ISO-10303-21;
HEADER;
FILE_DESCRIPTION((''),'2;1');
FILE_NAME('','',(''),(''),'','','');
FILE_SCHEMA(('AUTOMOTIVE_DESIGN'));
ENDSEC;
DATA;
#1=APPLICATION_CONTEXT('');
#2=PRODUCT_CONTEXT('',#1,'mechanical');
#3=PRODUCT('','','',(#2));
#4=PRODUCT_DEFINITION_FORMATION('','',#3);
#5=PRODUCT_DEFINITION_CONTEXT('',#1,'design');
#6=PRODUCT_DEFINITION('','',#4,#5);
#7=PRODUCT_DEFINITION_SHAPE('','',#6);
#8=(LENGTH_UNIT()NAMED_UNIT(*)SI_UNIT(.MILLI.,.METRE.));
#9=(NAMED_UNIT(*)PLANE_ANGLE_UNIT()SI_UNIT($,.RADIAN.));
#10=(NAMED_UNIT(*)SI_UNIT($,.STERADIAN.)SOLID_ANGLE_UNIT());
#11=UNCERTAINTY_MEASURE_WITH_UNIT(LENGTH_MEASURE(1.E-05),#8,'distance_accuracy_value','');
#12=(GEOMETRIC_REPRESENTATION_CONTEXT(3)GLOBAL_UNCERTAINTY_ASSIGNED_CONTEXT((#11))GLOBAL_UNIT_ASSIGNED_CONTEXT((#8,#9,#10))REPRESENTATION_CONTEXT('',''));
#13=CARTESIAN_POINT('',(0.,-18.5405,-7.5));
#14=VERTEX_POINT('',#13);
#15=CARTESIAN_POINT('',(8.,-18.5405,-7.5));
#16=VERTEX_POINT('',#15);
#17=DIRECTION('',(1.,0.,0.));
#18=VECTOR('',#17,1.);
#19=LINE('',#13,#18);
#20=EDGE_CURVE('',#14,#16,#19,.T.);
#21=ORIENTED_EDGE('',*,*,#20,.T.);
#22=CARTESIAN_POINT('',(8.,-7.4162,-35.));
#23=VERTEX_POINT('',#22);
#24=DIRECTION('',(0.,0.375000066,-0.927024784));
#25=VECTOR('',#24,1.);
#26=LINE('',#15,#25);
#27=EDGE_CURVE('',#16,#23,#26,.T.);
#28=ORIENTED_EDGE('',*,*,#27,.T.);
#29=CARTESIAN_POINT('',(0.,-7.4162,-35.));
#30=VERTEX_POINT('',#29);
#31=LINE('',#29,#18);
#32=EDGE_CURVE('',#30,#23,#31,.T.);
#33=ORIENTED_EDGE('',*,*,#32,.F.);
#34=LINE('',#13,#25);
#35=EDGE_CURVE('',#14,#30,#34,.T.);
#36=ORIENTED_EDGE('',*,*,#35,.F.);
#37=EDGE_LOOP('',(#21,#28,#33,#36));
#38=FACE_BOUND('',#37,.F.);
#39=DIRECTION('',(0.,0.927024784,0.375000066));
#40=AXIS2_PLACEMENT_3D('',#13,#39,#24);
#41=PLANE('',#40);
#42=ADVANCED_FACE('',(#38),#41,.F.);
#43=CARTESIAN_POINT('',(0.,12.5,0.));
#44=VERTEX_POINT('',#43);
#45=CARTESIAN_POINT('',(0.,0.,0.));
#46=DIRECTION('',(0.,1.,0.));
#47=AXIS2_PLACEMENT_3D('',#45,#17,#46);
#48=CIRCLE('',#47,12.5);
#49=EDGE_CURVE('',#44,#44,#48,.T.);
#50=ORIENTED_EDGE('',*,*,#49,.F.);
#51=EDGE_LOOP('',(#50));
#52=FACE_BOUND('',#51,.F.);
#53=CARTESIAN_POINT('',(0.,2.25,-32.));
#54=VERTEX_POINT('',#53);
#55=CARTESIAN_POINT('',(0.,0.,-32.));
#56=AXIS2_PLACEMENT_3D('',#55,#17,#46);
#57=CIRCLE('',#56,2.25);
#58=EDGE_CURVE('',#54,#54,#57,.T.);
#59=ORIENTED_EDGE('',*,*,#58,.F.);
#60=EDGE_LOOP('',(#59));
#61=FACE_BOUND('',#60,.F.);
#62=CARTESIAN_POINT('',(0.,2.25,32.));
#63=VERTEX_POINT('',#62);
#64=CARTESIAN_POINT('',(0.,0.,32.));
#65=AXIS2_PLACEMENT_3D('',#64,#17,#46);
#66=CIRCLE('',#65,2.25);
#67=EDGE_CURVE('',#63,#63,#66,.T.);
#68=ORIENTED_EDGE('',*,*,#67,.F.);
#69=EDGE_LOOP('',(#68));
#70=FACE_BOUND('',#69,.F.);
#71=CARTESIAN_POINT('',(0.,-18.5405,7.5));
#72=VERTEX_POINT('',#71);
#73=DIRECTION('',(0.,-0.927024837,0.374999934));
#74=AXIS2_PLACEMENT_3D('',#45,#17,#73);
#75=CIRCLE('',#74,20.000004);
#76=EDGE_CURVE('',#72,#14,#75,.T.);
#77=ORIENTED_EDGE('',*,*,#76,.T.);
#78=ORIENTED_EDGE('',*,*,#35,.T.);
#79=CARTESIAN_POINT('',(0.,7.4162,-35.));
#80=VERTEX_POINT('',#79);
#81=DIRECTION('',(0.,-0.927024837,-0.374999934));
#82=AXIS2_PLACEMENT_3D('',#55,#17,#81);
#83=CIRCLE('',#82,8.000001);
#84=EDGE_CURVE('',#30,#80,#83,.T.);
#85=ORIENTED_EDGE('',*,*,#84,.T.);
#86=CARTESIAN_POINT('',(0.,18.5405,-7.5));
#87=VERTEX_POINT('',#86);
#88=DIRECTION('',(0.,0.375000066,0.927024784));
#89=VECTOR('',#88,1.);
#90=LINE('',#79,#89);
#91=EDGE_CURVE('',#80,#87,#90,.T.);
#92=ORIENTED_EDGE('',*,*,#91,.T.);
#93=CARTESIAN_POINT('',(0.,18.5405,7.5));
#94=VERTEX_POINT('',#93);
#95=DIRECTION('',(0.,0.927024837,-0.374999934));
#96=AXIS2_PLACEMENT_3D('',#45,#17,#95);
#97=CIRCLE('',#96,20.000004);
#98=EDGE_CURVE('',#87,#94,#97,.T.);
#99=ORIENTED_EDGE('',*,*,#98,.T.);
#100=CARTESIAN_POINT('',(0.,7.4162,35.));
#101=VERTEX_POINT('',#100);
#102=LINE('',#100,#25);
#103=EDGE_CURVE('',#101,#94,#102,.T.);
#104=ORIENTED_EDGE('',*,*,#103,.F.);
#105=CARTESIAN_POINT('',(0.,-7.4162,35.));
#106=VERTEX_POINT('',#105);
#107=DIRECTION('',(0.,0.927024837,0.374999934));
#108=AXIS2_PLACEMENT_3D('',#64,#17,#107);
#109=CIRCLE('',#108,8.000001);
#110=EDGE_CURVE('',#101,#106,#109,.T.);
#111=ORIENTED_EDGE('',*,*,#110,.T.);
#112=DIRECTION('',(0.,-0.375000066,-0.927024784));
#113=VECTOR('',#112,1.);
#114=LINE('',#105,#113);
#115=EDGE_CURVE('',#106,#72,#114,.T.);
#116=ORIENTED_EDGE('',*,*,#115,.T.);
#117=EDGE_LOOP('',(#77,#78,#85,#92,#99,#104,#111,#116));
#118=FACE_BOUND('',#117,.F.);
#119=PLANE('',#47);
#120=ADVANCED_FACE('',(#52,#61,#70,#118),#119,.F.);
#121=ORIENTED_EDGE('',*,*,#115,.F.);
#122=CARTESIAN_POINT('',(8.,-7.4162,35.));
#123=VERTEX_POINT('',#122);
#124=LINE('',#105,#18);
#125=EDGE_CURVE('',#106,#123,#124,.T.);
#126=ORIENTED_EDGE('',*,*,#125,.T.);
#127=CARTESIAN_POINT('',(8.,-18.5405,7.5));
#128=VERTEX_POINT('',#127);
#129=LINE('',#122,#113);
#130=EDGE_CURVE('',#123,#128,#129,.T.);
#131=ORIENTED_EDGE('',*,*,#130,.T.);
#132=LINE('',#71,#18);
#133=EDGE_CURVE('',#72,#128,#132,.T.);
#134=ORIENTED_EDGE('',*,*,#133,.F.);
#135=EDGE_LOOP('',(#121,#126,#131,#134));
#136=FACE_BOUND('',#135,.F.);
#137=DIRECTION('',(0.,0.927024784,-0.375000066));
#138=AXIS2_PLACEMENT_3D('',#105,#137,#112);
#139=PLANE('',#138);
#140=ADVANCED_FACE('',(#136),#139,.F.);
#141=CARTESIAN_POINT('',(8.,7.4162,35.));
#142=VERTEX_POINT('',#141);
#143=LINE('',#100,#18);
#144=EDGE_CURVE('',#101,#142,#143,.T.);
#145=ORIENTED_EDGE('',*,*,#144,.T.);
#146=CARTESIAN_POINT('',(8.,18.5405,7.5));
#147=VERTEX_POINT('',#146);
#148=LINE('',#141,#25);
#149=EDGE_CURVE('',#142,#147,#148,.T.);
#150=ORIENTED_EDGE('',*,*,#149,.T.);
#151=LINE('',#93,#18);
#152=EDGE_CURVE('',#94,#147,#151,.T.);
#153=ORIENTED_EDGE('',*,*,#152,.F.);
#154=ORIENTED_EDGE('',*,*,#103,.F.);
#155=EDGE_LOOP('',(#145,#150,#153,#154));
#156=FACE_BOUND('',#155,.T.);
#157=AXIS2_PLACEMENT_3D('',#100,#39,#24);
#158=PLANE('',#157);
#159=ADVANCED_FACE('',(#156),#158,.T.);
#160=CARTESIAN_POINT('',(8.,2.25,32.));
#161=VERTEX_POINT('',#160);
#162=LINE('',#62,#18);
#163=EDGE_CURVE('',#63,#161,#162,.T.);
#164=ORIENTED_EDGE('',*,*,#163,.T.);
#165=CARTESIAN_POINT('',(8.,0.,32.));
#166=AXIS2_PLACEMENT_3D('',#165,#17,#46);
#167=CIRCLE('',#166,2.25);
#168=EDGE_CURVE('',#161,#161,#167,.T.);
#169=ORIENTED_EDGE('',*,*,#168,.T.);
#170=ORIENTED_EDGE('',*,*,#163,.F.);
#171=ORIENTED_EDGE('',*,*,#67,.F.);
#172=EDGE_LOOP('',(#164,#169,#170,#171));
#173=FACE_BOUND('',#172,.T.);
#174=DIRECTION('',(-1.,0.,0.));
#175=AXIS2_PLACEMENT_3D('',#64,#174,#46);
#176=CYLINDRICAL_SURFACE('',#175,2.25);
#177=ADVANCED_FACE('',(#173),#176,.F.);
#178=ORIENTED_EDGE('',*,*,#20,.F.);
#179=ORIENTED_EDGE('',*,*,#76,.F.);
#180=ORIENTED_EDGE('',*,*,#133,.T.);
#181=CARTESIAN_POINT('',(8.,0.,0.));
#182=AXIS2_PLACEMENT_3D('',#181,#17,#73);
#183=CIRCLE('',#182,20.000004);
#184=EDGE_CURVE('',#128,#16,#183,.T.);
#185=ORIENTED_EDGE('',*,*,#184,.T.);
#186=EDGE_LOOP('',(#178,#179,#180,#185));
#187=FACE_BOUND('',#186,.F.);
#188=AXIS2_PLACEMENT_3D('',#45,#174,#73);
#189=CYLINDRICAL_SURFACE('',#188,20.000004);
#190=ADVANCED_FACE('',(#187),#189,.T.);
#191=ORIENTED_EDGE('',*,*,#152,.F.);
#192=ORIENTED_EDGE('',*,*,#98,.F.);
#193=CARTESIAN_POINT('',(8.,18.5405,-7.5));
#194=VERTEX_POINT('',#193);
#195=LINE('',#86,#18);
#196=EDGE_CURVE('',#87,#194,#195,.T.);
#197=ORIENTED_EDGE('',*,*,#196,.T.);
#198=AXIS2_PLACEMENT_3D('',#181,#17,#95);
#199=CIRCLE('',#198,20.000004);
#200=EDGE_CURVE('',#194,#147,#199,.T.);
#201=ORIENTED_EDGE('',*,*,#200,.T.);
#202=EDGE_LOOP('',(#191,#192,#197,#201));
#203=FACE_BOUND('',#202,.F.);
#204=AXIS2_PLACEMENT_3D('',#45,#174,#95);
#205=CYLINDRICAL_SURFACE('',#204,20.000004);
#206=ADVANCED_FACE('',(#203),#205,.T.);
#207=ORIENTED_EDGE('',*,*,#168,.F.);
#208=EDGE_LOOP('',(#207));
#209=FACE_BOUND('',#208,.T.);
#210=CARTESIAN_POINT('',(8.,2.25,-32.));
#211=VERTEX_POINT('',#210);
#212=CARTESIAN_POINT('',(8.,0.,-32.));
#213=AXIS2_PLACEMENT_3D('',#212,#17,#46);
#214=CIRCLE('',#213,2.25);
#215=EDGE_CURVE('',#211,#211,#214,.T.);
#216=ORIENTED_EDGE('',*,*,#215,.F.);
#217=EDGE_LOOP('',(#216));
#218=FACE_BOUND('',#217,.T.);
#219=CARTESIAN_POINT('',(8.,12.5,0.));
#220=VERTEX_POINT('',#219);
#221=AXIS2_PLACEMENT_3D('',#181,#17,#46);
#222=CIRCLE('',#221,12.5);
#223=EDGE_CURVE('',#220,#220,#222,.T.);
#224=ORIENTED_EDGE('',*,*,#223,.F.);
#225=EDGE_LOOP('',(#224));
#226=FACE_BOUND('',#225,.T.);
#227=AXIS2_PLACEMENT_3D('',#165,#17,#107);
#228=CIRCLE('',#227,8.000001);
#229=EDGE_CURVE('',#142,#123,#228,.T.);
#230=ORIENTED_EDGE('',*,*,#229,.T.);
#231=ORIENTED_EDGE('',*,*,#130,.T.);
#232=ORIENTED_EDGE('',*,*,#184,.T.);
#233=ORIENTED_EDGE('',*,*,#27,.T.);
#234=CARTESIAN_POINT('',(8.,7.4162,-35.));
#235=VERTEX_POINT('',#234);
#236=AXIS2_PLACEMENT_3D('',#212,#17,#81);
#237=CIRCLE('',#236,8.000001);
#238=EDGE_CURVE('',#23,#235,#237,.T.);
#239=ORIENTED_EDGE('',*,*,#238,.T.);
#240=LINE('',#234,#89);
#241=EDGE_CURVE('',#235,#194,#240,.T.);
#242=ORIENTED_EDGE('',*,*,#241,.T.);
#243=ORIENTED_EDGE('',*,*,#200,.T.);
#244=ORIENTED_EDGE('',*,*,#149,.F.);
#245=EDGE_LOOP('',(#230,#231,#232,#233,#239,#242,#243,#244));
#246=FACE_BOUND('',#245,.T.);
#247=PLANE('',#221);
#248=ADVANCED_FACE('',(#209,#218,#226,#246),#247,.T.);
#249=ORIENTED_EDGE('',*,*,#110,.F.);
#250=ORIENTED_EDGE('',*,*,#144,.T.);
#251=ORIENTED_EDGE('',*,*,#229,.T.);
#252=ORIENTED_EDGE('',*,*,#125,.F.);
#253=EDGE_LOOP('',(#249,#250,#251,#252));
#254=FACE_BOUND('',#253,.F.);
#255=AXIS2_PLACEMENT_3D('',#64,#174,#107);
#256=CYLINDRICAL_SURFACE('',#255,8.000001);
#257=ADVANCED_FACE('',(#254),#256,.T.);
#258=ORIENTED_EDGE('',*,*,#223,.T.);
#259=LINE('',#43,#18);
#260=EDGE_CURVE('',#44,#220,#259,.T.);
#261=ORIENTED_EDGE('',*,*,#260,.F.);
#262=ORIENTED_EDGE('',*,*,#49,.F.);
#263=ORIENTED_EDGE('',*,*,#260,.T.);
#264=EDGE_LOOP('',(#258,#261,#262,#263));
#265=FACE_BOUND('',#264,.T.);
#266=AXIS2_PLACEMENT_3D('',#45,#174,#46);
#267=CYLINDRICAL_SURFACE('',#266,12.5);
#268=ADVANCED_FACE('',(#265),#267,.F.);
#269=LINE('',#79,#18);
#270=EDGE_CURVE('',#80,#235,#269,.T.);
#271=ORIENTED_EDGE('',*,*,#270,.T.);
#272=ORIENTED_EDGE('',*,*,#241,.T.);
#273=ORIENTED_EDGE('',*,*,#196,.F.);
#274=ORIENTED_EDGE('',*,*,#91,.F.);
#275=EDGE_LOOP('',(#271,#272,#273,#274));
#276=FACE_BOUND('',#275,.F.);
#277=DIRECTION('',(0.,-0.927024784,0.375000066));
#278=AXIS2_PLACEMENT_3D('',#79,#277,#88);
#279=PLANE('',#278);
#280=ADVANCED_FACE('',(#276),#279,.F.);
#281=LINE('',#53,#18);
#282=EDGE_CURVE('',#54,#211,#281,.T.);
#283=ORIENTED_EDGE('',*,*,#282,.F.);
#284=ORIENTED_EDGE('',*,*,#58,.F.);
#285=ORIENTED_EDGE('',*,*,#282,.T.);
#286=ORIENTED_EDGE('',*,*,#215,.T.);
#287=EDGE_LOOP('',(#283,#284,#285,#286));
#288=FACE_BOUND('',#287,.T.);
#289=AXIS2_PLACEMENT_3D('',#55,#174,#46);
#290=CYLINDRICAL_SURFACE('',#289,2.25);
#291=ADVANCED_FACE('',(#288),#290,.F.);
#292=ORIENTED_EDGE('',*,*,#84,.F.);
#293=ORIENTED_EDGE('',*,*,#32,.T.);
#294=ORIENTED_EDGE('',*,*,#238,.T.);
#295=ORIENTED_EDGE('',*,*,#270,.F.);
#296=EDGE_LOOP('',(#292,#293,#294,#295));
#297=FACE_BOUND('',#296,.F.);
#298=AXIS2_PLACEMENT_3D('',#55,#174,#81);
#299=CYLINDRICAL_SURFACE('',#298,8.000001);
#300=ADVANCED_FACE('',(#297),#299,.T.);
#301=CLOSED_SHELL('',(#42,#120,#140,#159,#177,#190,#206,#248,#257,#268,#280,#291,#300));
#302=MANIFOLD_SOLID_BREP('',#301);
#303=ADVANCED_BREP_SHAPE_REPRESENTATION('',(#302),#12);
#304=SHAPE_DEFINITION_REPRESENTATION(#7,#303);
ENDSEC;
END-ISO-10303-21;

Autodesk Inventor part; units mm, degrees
ref_plane "YZ Plane" through (0, 0, 0) normal (1, 0, 0) x (0, 1, 0)
ref_plane "XZ Plane" through (0, 0, 0) normal (0, 1, 0) x (-1, 0, 0)
ref_plane "XY Plane" through (0, 0, 0) normal (0, 0, 1) x (1, 0, 0)
sketch "Sketch4" plane through (0, 0, 0) normal (1, 0, 0) x (0, 1, 0)
  circle A0 centre (0, 0) radius 12.5
  arc A1 (-7.4162, -35) -> (7.4162, -35) centre (0, -32) ccw
  arc A2 (7.4162, 35) -> (-7.4162, 35) centre (0, 32) ccw
  line L0 (7.4162, 35) -> (18.5405, 7.5)
  line L1 (-7.4162, 35) -> (-18.5405, 7.5)
  line L2 (-18.5405, -7.5) -> (-7.4162, -35)
  line L3 (7.4162, -35) -> (18.5405, -7.5)
  arc A3 (-18.5405, 7.5) -> (-18.5405, -7.5) centre (0, 0) ccw
  arc A4 (18.5405, -7.5) -> (18.5405, 7.5) centre (0, 0) ccw
  circle A5 centre (0, 32) radius 2.25
  circle A6 centre (0, -32) radius 2.25
  line L4 (0, 32) -> (0, 0) construction
  line L5 (0, 0) -> (0, -32) construction
  dimension "d32" = 4.5
  dimension "d33" = 4.5
  dimension "d34" = 25
  dimension "d35" = 8
  dimension "d36" = 64
  dimension "d37" = 20
extrude "Extrusion2" add sketch "Sketch4" along normal blind 8
properties part number "M14 - Upper Bearing Support" material "Polycarbonate, Clear"
